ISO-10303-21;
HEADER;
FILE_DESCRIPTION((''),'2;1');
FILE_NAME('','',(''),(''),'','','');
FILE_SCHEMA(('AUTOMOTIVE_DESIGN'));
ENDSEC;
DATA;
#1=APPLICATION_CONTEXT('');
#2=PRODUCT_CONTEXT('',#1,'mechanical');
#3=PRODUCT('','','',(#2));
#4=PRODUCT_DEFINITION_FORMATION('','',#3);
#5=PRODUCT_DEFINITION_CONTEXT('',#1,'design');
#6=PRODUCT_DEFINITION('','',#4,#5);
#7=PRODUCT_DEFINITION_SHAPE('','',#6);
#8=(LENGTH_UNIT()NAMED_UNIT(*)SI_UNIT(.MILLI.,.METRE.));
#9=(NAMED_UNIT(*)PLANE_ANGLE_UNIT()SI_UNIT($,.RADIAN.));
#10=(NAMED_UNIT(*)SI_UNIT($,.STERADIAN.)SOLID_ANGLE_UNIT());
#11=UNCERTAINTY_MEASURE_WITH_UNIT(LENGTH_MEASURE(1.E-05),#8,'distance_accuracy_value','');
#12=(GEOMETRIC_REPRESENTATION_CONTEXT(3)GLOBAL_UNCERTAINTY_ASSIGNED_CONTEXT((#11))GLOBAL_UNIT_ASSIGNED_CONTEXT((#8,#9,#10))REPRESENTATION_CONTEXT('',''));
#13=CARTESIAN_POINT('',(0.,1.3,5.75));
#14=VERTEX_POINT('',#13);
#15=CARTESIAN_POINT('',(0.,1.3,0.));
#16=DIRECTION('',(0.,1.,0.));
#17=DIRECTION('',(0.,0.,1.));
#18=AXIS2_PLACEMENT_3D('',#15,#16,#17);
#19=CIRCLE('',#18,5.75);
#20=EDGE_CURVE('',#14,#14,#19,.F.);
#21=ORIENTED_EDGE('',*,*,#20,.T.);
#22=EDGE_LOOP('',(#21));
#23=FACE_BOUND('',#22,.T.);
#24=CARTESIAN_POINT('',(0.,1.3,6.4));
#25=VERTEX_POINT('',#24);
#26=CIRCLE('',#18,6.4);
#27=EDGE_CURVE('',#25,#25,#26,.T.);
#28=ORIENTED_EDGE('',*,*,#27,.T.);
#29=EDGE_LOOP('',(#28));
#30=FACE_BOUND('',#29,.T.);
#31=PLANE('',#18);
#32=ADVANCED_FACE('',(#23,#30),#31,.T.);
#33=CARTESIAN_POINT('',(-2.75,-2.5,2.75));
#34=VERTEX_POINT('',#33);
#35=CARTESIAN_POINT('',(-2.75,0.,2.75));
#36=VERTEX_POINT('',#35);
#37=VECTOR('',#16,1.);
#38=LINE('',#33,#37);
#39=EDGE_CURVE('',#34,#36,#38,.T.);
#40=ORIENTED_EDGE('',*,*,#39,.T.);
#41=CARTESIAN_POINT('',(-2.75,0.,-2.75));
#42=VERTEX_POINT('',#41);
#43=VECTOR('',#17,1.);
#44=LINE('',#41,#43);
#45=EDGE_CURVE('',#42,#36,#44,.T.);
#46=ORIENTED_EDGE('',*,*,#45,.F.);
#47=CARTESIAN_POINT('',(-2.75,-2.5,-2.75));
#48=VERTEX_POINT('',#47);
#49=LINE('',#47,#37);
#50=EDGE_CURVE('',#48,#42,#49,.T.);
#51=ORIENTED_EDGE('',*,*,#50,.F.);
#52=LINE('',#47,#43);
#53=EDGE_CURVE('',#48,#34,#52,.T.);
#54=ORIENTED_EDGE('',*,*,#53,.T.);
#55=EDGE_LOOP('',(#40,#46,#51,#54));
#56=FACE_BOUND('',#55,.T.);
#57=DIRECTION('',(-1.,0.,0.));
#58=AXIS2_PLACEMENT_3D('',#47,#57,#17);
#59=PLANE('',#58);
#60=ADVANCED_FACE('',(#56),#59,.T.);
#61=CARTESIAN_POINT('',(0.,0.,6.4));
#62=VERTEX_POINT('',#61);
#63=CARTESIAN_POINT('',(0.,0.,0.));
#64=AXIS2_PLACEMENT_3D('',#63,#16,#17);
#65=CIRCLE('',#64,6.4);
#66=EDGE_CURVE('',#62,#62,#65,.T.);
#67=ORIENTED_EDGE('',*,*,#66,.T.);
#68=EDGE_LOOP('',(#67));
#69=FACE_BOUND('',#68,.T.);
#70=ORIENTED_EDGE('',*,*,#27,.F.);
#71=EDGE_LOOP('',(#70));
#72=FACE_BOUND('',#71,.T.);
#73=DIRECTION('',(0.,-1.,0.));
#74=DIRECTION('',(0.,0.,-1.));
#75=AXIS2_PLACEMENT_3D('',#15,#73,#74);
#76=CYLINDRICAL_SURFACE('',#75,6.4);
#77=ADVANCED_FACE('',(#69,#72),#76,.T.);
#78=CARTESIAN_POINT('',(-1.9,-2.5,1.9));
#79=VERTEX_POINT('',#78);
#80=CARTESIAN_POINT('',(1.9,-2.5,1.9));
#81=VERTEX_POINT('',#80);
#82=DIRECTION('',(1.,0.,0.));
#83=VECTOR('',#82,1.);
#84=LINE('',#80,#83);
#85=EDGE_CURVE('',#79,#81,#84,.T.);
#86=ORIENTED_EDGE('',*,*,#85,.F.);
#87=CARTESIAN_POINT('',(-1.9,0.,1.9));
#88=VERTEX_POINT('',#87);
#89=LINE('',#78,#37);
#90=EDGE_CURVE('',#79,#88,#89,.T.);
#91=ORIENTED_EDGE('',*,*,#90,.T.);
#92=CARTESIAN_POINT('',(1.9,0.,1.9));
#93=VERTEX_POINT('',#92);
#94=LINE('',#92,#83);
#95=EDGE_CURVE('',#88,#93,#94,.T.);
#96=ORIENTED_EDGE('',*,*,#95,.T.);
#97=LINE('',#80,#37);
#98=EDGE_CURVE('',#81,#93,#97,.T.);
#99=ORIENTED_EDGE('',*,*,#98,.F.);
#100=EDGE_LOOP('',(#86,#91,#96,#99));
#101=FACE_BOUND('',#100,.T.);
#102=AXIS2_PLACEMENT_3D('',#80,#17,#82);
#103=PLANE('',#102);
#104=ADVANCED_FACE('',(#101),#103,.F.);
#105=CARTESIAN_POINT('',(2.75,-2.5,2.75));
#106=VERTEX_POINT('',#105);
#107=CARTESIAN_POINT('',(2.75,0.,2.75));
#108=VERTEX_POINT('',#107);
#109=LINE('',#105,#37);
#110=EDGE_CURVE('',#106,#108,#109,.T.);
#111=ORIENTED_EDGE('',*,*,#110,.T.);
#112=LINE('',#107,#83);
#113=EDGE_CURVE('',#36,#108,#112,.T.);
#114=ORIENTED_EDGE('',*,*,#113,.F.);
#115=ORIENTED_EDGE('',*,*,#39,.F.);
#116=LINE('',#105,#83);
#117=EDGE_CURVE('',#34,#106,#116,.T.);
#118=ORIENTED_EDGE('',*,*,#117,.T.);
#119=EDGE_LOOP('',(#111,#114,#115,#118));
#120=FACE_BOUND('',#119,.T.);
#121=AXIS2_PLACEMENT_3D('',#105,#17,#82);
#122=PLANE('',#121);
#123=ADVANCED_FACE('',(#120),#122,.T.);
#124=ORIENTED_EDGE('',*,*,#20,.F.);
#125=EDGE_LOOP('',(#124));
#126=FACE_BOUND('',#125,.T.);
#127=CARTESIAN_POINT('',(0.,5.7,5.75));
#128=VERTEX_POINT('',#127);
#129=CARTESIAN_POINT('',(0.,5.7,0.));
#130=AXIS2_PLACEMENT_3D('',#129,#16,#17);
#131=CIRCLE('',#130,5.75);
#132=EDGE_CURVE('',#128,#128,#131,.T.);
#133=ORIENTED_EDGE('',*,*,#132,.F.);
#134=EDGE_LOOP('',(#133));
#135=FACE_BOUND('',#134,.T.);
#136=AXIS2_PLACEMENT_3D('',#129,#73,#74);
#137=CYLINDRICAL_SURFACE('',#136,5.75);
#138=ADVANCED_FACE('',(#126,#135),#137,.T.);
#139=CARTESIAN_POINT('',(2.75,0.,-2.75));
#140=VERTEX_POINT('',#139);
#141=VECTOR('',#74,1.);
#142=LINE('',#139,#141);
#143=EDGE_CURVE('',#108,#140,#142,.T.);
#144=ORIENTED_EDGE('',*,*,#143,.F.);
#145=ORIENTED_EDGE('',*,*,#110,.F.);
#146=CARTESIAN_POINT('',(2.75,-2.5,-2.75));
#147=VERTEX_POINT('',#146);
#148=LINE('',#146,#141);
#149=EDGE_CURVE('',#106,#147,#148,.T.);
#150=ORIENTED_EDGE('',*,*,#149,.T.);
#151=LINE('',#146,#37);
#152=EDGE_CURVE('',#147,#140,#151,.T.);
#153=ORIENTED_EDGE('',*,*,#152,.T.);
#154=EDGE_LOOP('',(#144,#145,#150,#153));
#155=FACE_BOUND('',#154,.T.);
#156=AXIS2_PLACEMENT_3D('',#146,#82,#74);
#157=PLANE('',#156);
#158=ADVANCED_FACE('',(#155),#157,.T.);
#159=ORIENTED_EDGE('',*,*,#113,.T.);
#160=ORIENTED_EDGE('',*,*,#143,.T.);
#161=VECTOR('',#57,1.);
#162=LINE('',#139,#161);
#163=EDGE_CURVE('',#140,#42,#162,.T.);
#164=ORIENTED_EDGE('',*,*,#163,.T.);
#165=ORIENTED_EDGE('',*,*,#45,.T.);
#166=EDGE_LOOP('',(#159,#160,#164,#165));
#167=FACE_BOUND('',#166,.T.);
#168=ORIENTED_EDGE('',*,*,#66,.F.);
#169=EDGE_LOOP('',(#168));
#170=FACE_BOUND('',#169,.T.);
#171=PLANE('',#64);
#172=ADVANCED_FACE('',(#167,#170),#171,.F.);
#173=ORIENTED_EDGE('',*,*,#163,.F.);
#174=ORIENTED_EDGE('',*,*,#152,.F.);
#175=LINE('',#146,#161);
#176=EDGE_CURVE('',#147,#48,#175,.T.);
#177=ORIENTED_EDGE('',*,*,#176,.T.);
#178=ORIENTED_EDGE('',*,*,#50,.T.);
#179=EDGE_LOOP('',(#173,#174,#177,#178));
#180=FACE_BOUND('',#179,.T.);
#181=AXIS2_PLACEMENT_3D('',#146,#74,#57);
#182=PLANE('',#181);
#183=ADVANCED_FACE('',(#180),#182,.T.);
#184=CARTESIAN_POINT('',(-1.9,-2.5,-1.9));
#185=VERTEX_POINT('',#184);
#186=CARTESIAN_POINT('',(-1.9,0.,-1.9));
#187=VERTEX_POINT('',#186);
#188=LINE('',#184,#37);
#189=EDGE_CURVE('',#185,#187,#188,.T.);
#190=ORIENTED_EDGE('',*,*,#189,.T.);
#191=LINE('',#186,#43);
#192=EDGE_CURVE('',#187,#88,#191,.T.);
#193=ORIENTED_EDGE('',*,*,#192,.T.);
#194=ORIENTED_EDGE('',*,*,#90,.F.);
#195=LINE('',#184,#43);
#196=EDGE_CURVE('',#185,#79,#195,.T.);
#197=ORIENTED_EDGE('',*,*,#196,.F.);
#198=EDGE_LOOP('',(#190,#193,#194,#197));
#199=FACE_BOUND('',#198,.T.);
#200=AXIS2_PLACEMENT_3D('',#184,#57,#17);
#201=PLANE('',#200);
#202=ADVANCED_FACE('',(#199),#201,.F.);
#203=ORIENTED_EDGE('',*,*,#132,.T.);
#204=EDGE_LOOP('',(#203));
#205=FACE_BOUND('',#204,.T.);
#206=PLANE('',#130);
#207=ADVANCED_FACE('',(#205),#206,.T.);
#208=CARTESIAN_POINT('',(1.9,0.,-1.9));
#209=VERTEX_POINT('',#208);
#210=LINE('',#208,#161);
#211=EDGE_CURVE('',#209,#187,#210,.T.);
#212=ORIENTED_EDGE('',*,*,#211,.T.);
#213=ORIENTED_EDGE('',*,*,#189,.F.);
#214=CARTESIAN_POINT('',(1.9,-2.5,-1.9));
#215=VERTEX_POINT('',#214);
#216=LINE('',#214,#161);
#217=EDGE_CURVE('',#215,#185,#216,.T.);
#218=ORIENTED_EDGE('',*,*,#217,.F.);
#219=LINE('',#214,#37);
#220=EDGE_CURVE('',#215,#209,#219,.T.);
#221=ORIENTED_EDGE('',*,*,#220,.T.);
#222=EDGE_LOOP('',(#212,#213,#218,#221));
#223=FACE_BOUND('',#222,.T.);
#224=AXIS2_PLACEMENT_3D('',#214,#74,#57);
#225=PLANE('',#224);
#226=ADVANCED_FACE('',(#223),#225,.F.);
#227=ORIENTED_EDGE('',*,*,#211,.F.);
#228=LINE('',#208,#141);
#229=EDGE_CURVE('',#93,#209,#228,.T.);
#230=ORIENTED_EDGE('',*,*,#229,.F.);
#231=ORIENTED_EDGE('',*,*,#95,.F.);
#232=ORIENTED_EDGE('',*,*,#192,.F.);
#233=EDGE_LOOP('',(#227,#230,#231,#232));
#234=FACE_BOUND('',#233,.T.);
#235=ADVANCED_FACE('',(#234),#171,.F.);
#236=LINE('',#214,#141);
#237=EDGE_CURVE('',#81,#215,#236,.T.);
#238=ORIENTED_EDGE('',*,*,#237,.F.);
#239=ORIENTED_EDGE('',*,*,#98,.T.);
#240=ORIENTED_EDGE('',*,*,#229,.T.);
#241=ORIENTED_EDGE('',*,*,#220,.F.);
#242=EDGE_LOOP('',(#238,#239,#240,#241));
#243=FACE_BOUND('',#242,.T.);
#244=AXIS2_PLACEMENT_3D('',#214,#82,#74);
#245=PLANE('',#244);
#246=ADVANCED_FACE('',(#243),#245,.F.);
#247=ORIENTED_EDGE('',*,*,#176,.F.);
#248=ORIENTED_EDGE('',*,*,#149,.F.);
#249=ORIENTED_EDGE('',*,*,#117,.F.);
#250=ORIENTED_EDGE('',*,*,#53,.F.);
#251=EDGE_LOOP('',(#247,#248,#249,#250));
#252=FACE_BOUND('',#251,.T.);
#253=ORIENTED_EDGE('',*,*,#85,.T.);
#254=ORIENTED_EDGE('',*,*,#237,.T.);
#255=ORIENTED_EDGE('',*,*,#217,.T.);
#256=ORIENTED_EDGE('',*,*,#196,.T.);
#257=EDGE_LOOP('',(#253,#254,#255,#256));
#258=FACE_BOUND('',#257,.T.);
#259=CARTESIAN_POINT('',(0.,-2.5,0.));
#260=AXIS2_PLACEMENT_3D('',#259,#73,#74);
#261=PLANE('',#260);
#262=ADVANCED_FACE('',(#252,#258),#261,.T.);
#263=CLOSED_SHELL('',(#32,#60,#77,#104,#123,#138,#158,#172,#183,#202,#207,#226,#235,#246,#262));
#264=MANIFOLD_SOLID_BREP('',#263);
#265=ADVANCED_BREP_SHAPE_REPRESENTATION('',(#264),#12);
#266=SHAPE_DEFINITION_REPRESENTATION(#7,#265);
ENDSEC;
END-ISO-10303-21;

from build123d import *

# Parameters (mm, degrees)
SKETCH1_R           = 6.4
BOSS_EXTRUDE1_DEPTH = 1.3
SKETCH1_3_R         = 5.75
BOSS_EXTRUDE2_DEPTH = 5.7
SKETCH2_W           = 5.5
SKETCH2_H           = 5.5
SKETCH2_W_2         = 3.8
SKETCH2_H_2         = 3.8
BOSS_EXTRUDE3_DEPTH = 2.5


with BuildPart() as part:
    # Sketch1 → Boss-Extrude1 (new body)
    with BuildSketch(Plane(origin=(0, 0, 0), x_dir=(1, 0, 0), z_dir=(0, 1, 0))):
        Circle(SKETCH1_R)
    extrude(amount=BOSS_EXTRUDE1_DEPTH)

    # Sketch1<3> → Boss-Extrude2 (add)
    with BuildSketch(Plane(origin=(0, 0, 0), x_dir=(1, 0, 0), z_dir=(0, 1, 0))):
        Circle(SKETCH1_3_R)
    extrude(amount=BOSS_EXTRUDE2_DEPTH)

    # Sketch2 → Boss-Extrude3 (add)
    with BuildSketch(Plane(origin=(0, 0, 0), x_dir=(1, 0, 0), z_dir=(0, 1, 0))):
        Rectangle(SKETCH2_W, SKETCH2_H)
        Rectangle(SKETCH2_W_2, SKETCH2_H_2, mode=Mode.SUBTRACT)
    extrude(amount=-BOSS_EXTRUDE3_DEPTH)


solid = part.part
